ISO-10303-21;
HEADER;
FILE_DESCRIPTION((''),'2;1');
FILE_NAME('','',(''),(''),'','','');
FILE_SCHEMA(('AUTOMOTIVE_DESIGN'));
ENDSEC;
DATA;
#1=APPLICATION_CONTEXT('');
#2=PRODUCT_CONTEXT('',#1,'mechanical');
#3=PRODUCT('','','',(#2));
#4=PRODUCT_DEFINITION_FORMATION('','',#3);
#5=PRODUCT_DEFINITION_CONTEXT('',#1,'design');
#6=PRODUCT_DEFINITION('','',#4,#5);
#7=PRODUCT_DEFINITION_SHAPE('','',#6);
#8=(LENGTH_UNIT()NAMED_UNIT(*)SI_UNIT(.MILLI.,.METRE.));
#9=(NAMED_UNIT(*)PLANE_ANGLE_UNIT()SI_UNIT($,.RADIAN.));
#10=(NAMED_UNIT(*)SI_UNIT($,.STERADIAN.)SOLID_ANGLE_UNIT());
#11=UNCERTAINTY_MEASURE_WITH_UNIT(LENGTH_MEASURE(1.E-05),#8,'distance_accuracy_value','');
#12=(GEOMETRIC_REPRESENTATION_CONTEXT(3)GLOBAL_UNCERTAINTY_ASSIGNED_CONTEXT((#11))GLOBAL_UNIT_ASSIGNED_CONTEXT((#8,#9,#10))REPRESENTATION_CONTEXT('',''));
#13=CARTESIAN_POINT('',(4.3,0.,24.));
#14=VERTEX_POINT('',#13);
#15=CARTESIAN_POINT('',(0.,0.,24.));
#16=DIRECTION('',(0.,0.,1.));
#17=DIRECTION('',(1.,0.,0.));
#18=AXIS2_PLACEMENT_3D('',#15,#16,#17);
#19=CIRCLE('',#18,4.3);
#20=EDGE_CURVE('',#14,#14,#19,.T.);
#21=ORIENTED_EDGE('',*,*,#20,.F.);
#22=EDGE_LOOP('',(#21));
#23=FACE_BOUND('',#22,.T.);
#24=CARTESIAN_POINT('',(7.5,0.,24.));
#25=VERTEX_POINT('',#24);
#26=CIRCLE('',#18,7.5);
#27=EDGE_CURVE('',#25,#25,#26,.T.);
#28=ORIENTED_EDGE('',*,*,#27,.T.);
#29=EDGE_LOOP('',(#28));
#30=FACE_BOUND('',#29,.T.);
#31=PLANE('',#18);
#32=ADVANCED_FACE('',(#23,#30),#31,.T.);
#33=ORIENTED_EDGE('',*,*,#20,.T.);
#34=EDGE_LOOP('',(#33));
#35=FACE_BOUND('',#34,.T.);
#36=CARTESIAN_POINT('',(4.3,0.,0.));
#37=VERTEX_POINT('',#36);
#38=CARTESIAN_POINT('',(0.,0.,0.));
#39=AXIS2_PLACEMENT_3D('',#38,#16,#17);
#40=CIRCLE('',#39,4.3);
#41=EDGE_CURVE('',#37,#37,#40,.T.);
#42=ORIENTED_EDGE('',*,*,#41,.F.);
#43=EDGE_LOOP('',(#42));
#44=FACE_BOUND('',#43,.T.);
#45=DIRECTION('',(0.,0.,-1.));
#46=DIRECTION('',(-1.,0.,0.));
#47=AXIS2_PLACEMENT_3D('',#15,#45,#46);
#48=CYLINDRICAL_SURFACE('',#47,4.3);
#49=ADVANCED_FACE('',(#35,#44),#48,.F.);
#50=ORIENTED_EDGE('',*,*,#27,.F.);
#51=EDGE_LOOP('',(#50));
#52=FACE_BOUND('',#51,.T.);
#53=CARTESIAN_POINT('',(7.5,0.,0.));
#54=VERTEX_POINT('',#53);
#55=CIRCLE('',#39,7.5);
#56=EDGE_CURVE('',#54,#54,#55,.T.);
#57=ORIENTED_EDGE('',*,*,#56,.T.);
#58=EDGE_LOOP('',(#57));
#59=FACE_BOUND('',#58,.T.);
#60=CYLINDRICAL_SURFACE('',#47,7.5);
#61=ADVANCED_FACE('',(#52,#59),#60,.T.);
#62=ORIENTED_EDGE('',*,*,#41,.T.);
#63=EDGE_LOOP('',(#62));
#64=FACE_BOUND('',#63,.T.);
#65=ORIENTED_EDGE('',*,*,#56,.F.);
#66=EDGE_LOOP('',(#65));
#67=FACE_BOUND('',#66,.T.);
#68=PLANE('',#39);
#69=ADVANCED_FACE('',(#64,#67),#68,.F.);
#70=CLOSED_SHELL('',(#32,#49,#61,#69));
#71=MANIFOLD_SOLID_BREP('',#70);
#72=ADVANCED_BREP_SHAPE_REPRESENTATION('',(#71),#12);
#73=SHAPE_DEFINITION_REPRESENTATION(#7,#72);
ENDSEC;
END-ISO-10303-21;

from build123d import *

# Parameters (mm, degrees)
CROQUIS1_R              = 7.5
CROQUIS1_R_2            = 4.3
SALIENTE_EXTRUIR1_DEPTH = 24


with BuildPart() as part:
    # Croquis1 → Saliente-Extruir1 (new body)
    with BuildSketch(Plane.XY):
        Circle(CROQUIS1_R)
        Circle(CROQUIS1_R_2, mode=Mode.SUBTRACT)
    extrude(amount=SALIENTE_EXTRUIR1_DEPTH)


solid = part.part
